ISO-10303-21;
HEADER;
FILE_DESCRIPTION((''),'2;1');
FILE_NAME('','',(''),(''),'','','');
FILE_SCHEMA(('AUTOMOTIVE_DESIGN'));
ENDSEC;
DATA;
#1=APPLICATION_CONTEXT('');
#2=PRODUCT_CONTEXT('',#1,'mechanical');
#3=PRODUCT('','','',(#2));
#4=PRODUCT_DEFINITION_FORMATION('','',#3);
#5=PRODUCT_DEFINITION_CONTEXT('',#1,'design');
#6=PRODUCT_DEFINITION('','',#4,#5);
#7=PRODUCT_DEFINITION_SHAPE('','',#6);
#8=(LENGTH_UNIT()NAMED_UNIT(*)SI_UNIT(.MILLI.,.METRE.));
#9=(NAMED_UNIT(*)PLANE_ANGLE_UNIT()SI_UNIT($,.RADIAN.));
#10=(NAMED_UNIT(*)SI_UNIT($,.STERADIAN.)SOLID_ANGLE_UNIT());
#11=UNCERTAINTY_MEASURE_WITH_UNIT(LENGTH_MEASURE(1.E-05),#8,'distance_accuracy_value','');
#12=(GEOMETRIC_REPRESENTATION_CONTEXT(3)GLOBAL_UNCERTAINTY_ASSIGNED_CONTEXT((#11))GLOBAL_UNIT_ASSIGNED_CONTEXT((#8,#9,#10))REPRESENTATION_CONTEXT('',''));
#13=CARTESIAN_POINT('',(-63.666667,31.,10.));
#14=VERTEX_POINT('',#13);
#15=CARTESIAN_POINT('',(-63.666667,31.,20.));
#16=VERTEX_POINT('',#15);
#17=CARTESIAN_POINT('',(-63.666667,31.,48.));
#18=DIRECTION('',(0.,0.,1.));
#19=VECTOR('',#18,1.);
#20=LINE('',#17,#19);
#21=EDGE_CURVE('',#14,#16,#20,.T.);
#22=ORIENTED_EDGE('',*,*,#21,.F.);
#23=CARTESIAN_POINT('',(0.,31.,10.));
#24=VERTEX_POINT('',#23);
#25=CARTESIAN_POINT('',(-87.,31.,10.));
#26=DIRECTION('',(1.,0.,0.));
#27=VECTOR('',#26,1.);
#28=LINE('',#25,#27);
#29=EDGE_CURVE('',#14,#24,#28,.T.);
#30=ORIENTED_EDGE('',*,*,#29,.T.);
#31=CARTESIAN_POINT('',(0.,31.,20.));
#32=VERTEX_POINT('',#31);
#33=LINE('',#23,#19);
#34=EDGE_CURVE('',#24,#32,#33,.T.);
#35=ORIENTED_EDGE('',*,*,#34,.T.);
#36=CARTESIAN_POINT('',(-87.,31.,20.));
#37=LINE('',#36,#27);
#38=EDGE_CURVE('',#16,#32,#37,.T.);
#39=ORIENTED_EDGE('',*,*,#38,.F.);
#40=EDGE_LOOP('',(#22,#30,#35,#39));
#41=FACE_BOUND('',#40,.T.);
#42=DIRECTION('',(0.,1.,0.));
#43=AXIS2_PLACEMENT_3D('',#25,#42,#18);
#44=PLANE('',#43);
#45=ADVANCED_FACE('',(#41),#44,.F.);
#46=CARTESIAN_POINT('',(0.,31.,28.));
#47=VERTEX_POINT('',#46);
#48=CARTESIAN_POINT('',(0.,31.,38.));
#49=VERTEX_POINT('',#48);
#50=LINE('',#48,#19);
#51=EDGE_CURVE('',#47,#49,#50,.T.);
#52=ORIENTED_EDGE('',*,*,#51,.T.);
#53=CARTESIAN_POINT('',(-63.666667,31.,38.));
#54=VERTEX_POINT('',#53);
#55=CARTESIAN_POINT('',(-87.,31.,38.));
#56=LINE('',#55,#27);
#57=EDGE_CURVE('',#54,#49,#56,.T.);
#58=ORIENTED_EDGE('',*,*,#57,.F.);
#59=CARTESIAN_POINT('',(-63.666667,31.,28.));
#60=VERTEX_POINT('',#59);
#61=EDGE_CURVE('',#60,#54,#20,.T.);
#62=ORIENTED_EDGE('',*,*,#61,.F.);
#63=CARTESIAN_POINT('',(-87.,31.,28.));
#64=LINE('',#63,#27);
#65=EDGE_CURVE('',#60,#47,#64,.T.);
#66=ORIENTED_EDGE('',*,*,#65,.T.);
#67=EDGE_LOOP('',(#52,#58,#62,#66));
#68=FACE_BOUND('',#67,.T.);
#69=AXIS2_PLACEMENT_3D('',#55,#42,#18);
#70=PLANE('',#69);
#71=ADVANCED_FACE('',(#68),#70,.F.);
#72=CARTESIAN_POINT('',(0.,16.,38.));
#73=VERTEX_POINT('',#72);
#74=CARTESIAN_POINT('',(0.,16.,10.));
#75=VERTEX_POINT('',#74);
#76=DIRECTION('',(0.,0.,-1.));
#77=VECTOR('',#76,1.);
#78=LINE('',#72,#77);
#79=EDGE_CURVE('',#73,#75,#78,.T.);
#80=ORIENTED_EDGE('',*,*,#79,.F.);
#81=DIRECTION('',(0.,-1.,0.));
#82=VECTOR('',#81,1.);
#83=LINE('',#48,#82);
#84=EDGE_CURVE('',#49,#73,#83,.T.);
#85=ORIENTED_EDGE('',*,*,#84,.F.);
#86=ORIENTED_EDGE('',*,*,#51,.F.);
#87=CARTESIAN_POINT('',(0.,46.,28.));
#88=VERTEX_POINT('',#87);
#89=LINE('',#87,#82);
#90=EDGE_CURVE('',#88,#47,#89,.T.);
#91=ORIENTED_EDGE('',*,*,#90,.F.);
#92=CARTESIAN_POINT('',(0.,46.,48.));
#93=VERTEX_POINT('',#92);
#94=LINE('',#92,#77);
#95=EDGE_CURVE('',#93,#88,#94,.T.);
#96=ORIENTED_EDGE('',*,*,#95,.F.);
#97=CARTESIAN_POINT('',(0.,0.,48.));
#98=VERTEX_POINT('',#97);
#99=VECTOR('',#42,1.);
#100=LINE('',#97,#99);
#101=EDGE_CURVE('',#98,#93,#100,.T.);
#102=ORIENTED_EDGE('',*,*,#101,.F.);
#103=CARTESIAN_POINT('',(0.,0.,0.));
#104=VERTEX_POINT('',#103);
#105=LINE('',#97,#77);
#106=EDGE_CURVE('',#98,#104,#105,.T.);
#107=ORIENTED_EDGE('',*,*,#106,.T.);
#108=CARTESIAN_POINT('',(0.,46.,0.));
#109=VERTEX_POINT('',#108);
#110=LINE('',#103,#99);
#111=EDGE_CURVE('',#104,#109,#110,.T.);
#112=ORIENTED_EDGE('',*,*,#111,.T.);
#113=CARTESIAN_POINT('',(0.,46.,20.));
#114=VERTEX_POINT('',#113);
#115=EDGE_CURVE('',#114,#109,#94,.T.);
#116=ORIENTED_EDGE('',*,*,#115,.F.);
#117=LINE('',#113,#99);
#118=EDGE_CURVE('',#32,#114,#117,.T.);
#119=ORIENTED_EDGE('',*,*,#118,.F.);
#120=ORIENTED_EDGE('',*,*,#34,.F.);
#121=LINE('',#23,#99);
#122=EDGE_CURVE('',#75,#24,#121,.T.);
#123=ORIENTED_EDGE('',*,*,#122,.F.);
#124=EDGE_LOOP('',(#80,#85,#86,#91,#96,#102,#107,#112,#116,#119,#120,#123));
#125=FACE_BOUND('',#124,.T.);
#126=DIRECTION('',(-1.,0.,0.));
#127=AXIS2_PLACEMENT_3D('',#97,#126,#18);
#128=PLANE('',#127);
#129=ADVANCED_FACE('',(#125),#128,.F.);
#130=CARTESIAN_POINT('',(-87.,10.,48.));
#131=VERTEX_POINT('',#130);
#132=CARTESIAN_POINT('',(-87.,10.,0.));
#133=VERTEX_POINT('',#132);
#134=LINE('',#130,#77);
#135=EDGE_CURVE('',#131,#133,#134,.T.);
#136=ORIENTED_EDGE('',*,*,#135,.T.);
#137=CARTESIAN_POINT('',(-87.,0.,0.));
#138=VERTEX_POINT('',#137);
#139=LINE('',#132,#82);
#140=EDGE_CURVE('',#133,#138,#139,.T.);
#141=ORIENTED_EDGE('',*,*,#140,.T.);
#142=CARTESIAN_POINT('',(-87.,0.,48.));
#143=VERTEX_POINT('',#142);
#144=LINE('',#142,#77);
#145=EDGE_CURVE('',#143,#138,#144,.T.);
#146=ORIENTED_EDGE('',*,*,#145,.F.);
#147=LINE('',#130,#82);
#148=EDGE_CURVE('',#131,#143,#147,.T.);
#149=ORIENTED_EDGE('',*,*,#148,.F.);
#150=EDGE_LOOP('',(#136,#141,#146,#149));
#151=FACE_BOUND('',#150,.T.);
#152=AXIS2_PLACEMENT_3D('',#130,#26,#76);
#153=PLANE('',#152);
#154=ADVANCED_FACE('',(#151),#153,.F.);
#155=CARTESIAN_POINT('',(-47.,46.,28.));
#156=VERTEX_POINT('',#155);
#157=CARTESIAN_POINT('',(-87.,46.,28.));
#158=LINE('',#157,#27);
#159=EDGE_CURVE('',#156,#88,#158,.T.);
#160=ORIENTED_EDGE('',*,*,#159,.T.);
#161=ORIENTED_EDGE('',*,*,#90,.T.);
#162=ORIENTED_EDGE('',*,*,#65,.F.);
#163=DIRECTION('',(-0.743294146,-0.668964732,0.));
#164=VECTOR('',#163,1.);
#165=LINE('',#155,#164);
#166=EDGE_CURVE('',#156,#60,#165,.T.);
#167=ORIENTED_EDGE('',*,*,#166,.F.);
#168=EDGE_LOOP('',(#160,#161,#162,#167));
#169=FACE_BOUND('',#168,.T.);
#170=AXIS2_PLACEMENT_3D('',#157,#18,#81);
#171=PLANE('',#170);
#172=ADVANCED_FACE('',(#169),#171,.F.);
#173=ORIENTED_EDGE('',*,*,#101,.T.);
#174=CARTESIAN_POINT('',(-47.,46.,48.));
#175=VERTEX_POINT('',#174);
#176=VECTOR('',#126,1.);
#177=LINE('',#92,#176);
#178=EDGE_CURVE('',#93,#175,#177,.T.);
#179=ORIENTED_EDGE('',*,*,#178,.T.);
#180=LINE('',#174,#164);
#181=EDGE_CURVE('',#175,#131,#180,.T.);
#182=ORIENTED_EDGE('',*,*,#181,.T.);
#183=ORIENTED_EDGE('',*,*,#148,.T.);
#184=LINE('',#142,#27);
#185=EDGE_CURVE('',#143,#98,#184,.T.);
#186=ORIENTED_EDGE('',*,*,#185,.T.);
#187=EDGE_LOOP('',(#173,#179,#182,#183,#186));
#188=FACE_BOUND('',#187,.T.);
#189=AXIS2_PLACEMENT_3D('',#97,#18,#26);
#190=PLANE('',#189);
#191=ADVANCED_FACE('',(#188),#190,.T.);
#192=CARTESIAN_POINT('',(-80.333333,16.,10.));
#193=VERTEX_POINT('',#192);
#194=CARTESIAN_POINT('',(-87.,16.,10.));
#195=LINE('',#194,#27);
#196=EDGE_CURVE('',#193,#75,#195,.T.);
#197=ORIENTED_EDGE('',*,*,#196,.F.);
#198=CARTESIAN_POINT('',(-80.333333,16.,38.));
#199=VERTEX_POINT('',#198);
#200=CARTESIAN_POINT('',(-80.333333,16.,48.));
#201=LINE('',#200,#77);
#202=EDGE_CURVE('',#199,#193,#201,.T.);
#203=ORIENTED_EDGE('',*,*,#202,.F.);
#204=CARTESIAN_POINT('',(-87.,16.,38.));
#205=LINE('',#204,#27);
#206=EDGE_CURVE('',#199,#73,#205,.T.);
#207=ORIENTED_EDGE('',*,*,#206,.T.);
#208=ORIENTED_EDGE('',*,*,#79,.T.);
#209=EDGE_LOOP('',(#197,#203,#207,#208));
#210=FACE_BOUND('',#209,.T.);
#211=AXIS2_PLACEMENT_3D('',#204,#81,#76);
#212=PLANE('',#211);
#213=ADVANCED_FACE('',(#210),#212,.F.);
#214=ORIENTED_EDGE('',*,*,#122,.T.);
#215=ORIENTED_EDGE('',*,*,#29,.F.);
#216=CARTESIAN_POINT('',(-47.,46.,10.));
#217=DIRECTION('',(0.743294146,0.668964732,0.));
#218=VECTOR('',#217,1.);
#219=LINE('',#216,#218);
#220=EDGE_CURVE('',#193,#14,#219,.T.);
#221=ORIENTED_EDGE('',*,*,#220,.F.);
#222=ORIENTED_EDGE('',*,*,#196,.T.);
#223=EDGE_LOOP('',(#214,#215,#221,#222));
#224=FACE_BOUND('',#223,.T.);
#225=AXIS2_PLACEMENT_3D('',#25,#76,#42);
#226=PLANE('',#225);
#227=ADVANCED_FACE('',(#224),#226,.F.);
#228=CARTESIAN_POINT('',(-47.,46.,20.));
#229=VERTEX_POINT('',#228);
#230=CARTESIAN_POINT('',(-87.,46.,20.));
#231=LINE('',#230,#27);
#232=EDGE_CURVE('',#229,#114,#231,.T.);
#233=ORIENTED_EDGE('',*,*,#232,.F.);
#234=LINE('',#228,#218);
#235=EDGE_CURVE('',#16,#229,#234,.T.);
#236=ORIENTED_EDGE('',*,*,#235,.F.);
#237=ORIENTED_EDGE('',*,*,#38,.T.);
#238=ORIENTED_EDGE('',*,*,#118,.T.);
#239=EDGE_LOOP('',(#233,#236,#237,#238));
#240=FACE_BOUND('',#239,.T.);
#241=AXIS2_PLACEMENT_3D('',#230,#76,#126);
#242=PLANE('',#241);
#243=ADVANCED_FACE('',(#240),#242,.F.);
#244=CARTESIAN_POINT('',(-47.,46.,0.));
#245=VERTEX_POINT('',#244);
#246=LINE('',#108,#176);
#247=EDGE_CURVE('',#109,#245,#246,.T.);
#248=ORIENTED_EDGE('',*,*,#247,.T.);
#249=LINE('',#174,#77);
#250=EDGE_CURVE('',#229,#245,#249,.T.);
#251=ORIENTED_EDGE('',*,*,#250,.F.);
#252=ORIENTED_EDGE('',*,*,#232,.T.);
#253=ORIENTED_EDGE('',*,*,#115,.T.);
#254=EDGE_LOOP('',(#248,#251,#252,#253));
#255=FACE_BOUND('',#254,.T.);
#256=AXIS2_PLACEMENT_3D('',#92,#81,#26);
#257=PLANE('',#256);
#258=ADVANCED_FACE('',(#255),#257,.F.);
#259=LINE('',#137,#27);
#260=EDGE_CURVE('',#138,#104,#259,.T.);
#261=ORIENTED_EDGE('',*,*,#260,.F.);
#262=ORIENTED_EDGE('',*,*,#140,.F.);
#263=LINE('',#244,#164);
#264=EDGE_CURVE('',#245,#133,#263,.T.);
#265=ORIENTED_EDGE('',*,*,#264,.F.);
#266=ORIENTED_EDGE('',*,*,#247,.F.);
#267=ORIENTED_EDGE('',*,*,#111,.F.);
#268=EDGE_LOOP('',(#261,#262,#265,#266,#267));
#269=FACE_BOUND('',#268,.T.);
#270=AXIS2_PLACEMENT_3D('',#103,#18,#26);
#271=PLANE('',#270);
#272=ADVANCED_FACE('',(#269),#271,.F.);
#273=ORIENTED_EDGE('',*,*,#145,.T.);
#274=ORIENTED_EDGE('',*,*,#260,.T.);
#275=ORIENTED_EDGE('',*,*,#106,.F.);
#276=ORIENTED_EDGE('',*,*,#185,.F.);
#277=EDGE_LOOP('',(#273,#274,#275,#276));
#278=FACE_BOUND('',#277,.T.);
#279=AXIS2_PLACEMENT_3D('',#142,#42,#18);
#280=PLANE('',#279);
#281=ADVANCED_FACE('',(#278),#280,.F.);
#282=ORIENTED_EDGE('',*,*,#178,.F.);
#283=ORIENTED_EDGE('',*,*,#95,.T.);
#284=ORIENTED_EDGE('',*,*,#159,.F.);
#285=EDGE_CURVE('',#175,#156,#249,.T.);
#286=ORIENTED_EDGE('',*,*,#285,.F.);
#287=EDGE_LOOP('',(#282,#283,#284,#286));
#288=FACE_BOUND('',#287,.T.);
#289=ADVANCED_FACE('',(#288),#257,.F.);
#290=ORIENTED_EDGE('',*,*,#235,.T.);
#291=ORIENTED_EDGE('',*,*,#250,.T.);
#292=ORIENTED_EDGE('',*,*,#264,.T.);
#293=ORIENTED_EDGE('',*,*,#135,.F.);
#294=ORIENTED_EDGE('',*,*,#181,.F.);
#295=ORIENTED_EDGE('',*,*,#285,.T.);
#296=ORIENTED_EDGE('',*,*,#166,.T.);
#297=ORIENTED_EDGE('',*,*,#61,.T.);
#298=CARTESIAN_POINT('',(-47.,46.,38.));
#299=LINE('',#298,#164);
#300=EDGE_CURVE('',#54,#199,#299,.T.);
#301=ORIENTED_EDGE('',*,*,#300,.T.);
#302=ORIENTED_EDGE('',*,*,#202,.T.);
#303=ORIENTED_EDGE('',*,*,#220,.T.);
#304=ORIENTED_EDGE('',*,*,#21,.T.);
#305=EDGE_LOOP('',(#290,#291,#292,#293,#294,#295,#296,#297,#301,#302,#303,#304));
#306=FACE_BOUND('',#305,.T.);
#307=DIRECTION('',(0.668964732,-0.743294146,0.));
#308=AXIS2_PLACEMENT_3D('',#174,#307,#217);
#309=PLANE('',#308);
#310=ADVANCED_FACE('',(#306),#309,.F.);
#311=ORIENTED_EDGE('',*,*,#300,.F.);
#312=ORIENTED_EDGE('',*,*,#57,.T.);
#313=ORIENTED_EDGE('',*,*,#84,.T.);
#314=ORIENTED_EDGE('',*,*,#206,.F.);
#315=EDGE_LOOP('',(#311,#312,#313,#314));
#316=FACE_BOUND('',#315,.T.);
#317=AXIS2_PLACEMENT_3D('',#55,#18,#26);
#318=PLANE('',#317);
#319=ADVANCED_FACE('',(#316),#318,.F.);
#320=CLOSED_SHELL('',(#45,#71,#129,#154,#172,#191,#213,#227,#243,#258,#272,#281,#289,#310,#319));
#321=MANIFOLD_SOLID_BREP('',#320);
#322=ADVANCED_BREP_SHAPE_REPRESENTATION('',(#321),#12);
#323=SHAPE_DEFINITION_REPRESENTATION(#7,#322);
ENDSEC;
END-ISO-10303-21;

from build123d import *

# Parameters (mm, degrees)
BOSS_EXTRUDE1_DEPTH = 48
CUT_EXTRUDE1_DEPTH  = 110.494292089


with BuildPart() as part:
    # Sketch2 → Boss-Extrude1 (new body)
    with BuildSketch(Plane.XY):
        Polygon((0, 0), (0, 46), (-47, 46), (-87, 10), (-87, 0), align=None)
    extrude(amount=BOSS_EXTRUDE1_DEPTH)

    # Sketch3 → Cut-Extrude1 (cut, through all)
    with BuildSketch(Plane(origin=(0, 0, 0), x_dir=(0, 0, -1), z_dir=(1, 0, 0))):
        Polygon((-28, 46), (-20, 46), (-20, 31), (-10, 31), (-10, 16), (-38, 16), (-38, 31), (-28, 31), align=None)
    extrude(amount=-CUT_EXTRUDE1_DEPTH, mode=Mode.SUBTRACT)


solid = part.part
